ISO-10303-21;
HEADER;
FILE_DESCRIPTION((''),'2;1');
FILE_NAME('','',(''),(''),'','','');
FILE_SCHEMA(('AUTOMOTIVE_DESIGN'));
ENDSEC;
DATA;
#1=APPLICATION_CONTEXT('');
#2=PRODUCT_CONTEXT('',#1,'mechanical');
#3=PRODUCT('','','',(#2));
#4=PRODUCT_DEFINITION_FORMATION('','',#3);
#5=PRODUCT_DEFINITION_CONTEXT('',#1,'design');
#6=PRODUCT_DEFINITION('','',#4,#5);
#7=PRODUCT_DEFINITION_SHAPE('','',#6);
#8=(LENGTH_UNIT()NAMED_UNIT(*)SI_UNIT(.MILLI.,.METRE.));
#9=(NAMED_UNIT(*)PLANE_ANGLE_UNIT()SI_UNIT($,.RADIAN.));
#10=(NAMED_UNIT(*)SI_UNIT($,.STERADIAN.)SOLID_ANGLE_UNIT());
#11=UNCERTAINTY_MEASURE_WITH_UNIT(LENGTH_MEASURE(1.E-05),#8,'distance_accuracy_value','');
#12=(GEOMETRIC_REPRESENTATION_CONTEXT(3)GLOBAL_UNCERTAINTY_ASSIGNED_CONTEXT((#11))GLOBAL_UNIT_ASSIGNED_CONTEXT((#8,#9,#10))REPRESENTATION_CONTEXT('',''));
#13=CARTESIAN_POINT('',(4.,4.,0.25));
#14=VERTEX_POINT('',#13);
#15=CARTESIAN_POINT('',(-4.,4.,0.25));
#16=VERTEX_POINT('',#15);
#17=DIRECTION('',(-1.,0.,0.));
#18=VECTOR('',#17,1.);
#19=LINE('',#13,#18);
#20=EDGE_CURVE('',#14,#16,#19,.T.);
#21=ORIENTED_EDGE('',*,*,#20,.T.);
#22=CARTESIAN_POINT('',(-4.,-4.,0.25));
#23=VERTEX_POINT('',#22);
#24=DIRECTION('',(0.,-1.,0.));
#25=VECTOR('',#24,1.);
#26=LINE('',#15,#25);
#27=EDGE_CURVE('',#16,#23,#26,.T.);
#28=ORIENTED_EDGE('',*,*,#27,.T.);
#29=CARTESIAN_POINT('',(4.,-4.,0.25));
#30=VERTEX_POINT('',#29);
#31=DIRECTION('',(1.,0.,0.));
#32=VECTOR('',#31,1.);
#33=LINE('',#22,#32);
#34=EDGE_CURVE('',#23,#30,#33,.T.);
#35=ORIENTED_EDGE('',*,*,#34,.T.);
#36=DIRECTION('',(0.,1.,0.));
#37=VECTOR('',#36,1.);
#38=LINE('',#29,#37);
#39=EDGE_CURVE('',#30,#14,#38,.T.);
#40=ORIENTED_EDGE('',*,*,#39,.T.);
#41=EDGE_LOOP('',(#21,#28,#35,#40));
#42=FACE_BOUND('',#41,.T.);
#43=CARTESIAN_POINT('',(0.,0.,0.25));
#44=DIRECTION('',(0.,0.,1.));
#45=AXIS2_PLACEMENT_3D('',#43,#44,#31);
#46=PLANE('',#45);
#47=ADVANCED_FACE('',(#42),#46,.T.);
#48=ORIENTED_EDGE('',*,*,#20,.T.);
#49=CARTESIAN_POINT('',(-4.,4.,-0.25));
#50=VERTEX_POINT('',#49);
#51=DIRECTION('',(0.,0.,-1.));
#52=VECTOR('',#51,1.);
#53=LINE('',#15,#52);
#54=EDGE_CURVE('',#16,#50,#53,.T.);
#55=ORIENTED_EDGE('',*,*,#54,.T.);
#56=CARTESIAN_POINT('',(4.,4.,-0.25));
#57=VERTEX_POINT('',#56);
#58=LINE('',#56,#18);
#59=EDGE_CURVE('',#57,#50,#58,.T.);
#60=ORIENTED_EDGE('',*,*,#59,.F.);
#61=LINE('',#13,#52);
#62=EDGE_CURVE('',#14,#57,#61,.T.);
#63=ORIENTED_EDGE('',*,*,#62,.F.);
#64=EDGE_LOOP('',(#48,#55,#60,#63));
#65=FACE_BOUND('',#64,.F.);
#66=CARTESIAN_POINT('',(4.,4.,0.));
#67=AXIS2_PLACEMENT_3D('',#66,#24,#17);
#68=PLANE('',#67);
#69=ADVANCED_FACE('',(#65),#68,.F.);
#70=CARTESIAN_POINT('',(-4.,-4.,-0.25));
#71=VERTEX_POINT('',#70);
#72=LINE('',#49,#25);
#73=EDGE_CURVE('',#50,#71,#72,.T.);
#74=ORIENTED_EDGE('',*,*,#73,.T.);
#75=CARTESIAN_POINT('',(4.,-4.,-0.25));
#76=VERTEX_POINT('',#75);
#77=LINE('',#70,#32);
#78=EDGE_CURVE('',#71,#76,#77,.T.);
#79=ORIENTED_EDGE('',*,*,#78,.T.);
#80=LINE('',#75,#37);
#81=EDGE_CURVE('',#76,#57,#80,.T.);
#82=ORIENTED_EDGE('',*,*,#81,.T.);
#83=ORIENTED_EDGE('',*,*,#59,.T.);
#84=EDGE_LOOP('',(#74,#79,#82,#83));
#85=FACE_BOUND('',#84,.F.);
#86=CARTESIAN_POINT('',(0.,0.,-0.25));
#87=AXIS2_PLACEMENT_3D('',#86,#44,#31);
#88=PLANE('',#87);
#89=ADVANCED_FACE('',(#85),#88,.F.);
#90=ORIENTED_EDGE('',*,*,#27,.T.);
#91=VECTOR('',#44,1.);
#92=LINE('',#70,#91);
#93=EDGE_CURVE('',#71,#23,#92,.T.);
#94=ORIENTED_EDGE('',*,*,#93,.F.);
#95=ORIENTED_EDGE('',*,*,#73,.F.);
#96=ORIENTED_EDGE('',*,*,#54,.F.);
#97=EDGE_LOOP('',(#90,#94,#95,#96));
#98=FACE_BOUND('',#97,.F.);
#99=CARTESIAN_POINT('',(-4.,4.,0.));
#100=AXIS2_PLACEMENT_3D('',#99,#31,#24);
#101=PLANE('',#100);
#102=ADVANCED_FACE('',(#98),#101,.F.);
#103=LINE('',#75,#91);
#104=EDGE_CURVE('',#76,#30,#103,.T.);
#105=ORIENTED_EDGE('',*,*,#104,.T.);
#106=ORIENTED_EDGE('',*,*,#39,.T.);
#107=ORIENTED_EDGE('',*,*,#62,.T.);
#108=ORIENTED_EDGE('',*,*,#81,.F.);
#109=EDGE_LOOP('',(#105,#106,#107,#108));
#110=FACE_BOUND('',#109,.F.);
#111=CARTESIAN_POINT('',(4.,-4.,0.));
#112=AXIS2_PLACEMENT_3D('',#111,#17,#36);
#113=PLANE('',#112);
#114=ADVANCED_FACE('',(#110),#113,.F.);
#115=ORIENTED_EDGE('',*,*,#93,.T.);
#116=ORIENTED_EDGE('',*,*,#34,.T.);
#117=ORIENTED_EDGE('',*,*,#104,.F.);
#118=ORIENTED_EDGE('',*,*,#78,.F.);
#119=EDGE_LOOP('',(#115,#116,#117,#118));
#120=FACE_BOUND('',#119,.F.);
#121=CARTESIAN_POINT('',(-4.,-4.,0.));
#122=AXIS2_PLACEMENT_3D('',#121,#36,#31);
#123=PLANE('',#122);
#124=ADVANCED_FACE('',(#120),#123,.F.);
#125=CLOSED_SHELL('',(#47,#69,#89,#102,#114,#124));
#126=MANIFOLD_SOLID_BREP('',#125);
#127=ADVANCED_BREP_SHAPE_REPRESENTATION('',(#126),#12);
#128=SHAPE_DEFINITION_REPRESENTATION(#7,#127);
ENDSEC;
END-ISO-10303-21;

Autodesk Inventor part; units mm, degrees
ref_plane "YZ Plane" through (0, 0, 0) normal (1, 0, 0) x (0, 1, 0)
ref_plane "XZ Plane" through (0, 0, 0) normal (0, 1, 0) x (-1, 0, 0)
ref_plane "XY Plane" through (0, 0, 0) normal (0, 0, 1) x (1, 0, 0)
sketch "Sketch1" plane through (0, 0, 0) normal (0, 0, 1) x (1, 0, 0)
  line L0 (-4, -4) -> (4, -4)
  line L1 (4, -4) -> (4, 4)
  line L2 (4, 4) -> (-4, 4)
  line L3 (-4, 4) -> (-4, -4)
  line L4 (-4, -4) -> (4, 4) construction
  line L5 (4, -4) -> (-4, 4) construction
  point P0 (0, 0)
  dimension "d0" = 8
extrude "Extrusion1" add sketch "Sketch1" along normal mid plane 0.5
properties part number "Chip"
